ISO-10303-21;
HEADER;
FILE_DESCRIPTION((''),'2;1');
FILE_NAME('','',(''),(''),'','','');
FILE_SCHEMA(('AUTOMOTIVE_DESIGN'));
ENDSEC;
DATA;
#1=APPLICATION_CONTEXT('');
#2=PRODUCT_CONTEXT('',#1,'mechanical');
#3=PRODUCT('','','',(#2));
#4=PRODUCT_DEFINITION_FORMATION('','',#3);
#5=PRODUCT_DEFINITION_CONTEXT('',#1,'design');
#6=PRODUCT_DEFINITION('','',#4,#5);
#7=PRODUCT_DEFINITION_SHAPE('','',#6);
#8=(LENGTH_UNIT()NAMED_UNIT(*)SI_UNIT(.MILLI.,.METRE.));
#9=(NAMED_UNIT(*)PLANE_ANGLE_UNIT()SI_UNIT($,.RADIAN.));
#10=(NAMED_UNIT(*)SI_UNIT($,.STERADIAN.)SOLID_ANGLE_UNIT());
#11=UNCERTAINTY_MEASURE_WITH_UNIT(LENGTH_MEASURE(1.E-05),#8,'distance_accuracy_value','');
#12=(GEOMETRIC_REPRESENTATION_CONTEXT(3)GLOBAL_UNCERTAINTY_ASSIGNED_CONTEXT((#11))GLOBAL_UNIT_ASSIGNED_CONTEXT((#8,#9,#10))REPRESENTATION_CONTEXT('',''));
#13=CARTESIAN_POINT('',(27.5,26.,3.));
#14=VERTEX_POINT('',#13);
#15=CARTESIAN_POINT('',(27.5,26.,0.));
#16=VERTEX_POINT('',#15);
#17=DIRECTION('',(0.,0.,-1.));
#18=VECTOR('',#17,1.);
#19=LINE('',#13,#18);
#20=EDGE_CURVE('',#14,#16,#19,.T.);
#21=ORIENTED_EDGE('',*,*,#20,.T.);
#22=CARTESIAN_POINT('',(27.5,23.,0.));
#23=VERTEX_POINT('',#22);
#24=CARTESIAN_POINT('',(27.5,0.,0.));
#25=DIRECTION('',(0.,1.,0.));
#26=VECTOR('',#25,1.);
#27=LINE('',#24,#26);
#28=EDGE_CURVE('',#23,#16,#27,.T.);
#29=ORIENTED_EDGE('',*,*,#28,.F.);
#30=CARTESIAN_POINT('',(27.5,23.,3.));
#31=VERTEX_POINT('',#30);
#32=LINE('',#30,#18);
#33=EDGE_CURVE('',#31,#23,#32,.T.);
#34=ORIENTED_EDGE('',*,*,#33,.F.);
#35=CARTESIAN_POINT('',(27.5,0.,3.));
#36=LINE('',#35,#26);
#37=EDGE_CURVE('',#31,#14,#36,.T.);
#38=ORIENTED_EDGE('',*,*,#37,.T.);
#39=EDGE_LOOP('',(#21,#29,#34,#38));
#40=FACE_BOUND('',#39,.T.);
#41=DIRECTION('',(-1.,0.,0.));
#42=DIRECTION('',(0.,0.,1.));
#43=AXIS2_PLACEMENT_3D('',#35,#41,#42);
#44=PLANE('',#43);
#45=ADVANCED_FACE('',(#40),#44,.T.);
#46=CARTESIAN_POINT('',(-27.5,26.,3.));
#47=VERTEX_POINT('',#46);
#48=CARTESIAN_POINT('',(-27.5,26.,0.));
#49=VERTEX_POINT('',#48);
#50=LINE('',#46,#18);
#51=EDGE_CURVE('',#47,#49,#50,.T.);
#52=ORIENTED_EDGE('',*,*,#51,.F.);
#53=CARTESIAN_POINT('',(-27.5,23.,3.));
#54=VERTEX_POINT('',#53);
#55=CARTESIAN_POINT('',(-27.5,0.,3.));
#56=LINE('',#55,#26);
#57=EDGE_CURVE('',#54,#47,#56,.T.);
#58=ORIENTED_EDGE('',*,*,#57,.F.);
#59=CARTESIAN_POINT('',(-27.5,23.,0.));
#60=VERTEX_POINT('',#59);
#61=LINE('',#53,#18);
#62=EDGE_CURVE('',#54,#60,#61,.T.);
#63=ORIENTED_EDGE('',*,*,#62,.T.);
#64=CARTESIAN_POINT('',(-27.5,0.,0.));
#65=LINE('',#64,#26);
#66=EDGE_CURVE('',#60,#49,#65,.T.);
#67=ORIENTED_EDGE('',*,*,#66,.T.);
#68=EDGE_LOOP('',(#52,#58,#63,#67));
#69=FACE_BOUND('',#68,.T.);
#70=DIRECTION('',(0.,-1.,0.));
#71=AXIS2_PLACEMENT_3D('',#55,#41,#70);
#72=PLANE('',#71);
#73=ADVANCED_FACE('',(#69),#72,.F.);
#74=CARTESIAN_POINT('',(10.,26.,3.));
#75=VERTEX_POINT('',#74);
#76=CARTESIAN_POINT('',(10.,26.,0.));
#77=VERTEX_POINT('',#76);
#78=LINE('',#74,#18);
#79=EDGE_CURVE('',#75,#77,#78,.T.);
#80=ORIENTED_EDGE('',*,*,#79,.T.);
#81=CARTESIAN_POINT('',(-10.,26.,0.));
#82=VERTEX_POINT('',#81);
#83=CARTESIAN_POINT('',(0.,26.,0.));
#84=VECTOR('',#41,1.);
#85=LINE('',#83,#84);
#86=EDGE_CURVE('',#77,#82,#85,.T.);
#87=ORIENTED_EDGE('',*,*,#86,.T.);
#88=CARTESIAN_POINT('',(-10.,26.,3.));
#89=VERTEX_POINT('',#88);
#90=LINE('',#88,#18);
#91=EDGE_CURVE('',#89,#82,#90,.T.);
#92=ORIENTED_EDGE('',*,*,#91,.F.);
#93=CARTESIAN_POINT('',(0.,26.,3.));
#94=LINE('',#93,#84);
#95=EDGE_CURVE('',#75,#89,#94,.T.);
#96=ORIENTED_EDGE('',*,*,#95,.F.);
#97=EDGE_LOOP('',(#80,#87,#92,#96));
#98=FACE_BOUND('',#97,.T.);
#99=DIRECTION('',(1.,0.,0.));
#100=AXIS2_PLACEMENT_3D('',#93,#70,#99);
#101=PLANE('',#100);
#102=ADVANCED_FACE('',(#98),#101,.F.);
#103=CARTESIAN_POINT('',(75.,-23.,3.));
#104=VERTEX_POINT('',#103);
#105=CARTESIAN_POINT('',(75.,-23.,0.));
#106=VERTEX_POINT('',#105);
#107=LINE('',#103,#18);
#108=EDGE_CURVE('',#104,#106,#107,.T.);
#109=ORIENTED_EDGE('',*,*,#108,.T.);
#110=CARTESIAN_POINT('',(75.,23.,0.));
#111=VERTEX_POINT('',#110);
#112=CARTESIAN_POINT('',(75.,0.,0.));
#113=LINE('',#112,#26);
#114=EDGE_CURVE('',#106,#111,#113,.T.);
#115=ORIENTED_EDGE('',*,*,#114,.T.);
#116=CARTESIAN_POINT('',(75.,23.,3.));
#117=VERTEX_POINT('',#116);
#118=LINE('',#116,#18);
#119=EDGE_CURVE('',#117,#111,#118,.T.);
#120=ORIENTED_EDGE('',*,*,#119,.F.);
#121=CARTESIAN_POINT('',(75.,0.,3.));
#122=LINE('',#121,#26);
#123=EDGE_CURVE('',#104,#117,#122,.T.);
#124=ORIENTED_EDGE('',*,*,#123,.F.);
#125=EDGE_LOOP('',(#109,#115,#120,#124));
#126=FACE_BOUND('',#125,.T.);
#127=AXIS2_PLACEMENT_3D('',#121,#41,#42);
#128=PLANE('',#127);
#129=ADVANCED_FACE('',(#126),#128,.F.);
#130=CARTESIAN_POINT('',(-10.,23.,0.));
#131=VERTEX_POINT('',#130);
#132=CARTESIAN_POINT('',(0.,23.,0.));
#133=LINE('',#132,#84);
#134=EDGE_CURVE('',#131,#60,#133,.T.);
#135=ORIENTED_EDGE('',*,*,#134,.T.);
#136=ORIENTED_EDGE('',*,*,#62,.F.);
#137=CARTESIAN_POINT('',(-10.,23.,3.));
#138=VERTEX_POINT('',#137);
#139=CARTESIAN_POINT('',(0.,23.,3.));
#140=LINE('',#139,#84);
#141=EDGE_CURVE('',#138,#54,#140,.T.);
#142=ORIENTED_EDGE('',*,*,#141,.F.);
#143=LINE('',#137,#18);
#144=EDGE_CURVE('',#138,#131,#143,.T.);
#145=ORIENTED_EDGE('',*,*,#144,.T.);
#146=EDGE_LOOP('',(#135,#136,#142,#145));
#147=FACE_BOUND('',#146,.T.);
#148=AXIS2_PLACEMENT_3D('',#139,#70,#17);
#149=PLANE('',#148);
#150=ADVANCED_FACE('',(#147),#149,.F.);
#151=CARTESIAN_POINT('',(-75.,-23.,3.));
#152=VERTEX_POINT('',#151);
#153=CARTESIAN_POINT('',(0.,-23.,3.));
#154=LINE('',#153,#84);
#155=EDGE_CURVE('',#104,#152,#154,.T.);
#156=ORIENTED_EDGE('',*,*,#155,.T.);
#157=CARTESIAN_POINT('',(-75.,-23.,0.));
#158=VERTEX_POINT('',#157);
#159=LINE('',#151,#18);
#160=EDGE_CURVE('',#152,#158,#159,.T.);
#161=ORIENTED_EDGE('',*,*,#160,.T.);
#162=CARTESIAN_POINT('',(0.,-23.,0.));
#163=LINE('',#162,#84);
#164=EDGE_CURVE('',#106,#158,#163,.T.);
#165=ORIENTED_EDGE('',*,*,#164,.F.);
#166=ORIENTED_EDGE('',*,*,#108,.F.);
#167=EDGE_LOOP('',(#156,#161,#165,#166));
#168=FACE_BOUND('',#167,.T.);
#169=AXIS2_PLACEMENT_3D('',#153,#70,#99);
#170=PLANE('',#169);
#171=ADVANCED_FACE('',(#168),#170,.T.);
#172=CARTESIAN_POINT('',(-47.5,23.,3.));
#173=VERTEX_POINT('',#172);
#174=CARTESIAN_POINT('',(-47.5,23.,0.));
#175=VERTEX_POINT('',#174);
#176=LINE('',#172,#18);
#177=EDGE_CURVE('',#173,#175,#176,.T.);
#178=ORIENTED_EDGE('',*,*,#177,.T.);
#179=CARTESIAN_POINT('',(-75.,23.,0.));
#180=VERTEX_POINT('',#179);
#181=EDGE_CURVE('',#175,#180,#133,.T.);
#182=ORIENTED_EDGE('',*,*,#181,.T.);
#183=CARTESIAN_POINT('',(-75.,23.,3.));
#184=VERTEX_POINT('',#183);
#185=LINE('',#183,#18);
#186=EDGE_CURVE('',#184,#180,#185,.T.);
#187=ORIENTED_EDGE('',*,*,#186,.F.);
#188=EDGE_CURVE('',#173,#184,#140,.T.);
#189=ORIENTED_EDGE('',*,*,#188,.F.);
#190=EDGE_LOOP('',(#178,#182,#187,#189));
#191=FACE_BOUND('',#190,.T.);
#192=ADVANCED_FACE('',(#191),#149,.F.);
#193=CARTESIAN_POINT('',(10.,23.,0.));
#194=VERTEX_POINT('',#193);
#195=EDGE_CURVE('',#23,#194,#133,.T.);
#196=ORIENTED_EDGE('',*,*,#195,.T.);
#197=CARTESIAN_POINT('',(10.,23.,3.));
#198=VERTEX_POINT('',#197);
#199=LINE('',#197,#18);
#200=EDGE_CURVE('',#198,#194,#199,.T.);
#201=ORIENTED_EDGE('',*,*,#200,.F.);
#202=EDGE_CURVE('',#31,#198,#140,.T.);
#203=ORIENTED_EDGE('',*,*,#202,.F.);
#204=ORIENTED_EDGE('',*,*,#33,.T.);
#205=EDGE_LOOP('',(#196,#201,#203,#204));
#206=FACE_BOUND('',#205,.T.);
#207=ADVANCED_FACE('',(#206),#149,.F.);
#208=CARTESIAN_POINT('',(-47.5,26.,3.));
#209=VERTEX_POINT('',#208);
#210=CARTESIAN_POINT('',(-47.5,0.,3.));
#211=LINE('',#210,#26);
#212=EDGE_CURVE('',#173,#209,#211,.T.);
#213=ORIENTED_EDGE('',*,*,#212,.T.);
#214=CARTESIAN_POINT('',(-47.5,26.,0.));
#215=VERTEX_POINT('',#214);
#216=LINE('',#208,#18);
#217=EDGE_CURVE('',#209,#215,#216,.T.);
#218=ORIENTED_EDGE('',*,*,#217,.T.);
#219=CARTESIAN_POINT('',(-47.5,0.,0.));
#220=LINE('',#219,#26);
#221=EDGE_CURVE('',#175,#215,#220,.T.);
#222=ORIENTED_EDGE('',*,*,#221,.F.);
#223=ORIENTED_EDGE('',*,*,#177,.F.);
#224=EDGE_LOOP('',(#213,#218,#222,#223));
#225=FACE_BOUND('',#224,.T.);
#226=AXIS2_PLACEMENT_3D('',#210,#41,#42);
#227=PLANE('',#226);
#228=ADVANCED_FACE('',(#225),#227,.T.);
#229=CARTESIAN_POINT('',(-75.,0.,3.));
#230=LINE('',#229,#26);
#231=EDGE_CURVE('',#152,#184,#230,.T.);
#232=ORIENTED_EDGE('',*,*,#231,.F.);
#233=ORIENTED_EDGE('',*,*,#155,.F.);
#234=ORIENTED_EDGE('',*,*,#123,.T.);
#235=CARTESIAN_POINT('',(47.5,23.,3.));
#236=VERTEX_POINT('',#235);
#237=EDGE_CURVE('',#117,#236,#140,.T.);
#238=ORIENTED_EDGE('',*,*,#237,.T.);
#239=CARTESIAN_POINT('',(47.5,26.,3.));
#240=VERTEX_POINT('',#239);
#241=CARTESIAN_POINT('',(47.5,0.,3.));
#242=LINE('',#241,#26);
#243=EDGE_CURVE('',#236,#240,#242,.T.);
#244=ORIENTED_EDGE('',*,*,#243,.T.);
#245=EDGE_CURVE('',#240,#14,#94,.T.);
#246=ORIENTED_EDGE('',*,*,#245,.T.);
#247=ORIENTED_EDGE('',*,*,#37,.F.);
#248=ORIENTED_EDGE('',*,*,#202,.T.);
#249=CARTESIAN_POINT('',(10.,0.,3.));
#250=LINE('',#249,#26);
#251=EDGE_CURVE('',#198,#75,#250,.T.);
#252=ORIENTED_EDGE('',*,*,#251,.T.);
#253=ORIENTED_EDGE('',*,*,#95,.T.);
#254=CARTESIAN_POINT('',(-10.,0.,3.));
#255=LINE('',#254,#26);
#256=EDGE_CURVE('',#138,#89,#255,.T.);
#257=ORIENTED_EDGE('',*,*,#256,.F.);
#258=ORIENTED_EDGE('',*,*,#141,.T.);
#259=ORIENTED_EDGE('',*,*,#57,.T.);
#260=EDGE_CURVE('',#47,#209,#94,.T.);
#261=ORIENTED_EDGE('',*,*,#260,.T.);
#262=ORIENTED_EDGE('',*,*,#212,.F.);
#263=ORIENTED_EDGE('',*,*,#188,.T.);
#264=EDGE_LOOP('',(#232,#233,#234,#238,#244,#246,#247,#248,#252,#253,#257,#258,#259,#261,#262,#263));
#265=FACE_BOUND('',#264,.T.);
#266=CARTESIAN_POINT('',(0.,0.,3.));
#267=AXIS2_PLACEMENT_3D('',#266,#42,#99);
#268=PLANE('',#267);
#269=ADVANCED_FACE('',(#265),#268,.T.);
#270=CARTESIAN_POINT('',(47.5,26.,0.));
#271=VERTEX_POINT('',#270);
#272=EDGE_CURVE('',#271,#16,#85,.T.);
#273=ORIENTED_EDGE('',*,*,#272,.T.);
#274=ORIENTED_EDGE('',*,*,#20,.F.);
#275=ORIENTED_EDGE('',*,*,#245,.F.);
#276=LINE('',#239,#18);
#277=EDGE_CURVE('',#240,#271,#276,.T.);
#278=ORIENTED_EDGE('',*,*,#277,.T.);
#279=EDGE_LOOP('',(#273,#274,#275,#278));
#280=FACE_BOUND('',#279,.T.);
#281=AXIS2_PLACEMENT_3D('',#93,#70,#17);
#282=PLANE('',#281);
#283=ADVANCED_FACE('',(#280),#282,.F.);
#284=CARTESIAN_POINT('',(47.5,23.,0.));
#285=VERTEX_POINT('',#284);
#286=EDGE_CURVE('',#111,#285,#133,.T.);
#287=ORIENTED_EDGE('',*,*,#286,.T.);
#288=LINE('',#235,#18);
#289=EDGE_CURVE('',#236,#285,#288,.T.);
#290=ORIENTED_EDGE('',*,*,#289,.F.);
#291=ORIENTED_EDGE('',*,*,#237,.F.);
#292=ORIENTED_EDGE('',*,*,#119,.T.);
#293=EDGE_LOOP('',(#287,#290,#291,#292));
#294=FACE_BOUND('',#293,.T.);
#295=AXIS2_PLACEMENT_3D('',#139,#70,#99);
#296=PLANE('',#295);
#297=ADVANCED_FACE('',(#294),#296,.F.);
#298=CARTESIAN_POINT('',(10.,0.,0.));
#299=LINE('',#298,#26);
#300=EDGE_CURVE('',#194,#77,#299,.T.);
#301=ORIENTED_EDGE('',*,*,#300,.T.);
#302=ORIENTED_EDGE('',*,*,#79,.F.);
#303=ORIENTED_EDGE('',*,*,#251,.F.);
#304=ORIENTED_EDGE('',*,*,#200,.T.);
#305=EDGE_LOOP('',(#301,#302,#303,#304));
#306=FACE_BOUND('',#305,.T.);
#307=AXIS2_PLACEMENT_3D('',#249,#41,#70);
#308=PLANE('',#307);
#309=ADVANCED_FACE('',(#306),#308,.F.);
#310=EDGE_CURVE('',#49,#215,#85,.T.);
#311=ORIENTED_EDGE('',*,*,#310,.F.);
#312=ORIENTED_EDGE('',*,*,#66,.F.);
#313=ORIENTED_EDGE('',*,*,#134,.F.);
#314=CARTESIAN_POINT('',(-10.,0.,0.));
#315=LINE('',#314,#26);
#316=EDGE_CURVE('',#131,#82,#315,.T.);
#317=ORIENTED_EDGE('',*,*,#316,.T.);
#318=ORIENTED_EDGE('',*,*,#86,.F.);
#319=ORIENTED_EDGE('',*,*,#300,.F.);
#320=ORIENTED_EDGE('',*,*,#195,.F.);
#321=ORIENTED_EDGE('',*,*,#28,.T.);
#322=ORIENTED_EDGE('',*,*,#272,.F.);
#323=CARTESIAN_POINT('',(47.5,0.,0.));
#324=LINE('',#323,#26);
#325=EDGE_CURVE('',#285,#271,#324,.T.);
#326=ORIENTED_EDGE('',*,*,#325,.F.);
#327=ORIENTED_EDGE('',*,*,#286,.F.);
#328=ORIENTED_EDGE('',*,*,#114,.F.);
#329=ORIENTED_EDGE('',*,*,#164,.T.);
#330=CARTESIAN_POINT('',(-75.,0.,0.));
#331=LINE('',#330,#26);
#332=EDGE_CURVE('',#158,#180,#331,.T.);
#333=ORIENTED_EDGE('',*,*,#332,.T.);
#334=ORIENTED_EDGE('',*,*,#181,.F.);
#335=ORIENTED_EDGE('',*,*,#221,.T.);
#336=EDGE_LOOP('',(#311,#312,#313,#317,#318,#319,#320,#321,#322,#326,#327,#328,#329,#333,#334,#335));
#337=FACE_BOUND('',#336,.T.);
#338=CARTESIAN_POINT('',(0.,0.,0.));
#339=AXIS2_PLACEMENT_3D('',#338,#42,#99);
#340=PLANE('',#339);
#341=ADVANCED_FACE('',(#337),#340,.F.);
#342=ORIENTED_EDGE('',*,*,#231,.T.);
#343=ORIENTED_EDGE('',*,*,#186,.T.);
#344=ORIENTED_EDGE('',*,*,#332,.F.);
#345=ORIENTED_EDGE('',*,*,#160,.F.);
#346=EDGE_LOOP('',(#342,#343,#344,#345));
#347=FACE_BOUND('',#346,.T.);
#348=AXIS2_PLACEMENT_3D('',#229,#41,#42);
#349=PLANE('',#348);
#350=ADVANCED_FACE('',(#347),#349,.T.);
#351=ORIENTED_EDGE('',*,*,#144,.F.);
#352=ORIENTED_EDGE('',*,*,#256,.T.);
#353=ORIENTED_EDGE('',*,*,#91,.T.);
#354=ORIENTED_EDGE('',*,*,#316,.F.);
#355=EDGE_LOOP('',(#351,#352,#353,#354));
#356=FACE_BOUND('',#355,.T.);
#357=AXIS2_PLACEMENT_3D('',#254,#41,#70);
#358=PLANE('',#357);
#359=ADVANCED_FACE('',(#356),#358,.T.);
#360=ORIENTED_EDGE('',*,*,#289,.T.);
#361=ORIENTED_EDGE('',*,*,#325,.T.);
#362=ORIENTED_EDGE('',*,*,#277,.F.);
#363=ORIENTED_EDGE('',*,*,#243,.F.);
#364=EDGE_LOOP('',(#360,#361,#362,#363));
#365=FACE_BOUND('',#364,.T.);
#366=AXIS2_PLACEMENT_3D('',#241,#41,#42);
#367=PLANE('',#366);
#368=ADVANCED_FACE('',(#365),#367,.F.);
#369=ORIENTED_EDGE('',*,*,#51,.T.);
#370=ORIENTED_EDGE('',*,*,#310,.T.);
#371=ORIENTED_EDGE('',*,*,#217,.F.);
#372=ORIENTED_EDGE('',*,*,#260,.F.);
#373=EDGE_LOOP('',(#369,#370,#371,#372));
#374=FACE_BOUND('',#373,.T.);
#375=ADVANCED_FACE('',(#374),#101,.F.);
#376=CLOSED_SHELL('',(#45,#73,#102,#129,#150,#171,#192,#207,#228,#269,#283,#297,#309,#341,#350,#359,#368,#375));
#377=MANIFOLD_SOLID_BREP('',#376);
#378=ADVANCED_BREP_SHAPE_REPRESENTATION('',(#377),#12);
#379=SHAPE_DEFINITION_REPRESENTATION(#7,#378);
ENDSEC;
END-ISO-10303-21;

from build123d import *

# Parameters (mm, degrees)
BOSS_EXTRU_1_DEPTH = 3


with BuildPart() as part:
    # Esquisse1 → Boss.-Extru.1 (new body)
    with BuildSketch(Plane.XY):
        Polygon((75, -23), (-75, -23), (-75, 23), (-47.5, 23), (-47.5, 26), (-27.5, 26), (-27.5, 23), (-10, 23), (-10, 26), (10, 26), (10, 23), (27.5, 23), (27.5, 26), (47.5, 26), (47.5, 23), (75, 23), align=None)
    extrude(amount=BOSS_EXTRU_1_DEPTH)


solid = part.part
